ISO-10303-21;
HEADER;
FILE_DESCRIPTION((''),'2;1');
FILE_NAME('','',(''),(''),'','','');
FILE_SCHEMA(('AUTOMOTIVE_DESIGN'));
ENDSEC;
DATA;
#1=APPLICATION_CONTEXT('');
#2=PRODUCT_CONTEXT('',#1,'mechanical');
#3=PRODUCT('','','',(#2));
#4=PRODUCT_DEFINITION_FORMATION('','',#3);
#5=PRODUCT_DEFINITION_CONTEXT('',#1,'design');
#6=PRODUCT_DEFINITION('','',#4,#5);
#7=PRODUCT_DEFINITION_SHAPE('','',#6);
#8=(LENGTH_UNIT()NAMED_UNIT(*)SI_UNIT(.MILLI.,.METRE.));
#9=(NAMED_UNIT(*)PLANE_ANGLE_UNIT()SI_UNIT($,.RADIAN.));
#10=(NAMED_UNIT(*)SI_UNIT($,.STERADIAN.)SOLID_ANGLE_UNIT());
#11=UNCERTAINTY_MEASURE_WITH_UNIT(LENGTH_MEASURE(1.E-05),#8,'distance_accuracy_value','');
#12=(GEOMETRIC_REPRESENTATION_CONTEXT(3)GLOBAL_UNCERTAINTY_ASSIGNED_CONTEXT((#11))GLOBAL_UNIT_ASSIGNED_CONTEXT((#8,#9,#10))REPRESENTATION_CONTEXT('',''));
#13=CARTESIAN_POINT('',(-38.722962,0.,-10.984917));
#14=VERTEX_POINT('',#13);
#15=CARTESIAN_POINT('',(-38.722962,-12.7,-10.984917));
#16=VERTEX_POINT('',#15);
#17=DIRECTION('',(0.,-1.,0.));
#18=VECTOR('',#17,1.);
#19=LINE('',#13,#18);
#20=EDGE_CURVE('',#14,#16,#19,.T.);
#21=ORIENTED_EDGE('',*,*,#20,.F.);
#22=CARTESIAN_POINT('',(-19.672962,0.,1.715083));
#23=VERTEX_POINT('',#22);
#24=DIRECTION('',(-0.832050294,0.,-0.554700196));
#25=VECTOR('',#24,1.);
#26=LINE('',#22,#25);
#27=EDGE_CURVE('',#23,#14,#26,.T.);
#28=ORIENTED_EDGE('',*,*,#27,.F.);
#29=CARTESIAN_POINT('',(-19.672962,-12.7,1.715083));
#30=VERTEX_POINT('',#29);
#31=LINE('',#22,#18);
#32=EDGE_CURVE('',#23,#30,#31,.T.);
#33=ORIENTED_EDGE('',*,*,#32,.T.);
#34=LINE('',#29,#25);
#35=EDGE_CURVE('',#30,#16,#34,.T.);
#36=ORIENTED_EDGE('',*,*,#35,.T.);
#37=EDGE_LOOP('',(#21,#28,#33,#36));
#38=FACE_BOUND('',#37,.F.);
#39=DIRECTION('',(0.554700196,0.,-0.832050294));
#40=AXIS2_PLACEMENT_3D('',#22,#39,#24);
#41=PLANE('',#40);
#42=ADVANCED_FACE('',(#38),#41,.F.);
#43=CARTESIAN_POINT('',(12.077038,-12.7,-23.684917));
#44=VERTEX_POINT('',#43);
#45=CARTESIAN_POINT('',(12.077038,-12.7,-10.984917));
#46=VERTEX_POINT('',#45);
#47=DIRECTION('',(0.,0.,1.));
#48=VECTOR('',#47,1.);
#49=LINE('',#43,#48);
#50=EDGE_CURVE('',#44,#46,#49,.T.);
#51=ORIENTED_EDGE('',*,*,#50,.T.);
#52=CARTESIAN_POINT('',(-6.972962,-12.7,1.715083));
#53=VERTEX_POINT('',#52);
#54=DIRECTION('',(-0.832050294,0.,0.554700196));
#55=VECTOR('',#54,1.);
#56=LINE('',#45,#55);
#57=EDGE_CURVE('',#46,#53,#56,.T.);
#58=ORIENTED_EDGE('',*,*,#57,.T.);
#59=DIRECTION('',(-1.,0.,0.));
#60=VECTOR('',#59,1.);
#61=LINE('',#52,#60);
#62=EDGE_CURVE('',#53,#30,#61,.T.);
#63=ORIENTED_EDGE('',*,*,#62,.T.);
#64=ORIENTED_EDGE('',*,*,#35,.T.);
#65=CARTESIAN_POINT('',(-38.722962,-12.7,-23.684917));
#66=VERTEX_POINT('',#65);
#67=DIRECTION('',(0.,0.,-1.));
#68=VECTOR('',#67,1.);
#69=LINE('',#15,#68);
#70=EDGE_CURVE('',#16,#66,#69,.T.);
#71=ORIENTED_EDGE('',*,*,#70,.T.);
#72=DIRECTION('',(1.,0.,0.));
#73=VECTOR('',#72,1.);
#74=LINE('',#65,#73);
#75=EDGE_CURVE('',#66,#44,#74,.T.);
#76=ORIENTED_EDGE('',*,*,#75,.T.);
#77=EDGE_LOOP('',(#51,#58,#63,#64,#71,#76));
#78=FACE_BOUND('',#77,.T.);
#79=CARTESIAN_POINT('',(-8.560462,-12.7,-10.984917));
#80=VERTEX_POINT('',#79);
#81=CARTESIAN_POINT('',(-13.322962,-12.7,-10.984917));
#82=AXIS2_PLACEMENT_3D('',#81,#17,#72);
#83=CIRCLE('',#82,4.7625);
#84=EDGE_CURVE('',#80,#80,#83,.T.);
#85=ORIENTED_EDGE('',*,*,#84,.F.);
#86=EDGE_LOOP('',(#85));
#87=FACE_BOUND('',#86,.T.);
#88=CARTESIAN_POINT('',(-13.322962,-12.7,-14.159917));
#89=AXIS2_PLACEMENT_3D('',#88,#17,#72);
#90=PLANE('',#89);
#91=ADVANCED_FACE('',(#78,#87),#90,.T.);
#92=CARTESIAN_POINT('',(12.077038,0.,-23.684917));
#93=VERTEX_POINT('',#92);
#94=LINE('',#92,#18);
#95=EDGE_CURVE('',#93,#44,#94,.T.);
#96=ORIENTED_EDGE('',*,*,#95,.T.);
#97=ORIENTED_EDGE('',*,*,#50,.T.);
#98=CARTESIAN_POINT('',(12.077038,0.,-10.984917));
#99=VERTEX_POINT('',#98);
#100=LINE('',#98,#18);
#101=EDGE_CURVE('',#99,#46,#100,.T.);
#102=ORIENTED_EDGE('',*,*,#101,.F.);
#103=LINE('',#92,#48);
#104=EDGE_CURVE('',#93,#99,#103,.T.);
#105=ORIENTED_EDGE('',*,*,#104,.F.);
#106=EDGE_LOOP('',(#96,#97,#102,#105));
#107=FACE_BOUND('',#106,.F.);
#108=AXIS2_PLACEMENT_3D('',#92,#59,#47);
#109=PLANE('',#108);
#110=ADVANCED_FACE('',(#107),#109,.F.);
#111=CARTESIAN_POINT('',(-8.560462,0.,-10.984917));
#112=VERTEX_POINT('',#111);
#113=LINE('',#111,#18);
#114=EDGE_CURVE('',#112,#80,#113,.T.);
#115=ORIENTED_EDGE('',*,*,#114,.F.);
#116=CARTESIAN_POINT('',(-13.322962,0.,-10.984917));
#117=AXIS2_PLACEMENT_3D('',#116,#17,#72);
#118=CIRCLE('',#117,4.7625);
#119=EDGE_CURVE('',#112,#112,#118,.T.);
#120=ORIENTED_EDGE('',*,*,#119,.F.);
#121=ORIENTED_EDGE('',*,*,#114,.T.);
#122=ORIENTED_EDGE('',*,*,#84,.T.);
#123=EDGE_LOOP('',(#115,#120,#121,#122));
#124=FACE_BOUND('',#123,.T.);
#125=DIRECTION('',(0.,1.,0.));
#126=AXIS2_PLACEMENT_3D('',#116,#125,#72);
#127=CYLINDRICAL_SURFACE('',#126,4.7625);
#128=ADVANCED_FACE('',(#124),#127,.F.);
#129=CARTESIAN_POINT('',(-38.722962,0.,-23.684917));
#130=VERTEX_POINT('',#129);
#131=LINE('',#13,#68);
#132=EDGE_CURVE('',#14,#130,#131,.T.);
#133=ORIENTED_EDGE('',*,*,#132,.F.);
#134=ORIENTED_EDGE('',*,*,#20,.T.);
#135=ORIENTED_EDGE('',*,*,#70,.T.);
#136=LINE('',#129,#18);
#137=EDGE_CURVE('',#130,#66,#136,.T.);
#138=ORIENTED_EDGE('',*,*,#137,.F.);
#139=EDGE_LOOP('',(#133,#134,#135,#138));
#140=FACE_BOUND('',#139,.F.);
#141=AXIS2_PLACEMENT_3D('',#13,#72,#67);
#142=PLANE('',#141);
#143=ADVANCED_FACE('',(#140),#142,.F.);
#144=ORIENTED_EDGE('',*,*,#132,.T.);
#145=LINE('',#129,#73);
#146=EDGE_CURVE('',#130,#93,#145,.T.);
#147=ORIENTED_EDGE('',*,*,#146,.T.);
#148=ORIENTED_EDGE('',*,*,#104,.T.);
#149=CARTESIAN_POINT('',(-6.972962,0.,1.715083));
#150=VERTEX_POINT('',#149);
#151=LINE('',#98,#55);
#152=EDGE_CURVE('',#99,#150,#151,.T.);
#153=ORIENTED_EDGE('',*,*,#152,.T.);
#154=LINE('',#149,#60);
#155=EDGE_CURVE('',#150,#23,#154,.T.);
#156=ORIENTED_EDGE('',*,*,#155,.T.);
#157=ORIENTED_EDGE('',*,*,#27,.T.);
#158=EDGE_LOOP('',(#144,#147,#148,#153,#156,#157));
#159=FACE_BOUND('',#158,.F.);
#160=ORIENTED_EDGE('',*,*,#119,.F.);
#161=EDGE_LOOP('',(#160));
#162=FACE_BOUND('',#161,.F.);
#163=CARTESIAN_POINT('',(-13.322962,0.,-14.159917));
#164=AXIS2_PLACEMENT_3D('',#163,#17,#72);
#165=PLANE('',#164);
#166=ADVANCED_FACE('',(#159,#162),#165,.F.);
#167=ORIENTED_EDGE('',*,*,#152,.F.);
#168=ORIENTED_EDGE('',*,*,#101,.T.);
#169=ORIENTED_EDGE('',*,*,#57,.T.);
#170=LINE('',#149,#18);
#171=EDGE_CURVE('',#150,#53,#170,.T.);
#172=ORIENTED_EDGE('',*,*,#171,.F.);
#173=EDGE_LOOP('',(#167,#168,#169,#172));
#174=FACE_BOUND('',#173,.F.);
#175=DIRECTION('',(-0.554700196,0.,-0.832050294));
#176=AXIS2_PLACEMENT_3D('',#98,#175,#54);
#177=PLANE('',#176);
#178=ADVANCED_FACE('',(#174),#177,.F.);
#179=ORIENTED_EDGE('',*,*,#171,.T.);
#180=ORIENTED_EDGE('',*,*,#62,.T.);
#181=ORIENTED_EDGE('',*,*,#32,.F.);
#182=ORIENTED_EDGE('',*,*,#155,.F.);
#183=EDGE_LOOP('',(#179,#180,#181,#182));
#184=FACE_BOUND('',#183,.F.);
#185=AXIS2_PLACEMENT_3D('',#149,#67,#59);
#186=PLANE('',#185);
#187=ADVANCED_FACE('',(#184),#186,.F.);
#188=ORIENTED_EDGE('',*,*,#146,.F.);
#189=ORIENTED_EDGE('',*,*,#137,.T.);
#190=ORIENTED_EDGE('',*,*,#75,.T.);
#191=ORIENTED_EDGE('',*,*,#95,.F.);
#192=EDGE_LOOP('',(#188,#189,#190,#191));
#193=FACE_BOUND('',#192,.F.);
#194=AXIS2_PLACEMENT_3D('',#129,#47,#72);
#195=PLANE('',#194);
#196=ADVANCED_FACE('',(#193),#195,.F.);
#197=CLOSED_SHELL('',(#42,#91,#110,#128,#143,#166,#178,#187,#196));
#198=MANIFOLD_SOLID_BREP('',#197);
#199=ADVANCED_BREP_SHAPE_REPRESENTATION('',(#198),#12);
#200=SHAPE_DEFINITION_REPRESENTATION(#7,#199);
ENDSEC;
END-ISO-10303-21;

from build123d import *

# Parameters (mm, degrees)
F0_R     = 4.7625
F1_DEPTH = 12.7


with BuildPart() as f1:
    # F0 (on Front) → F1 (new body)
    with BuildSketch(Plane.XZ):
        Polygon((-38.722962, -10.984917), (-38.722962, -23.684917), (12.077038, -23.684917), (12.077038, -10.984917), (-6.972962, -10.984917), (-6.972962, 1.715083), (-19.672962, 1.715083), (-19.672962, -10.984917), align=None)
        with Locations((-13.322962, -10.984917)):
            Circle(F0_R, mode=Mode.SUBTRACT)
        Polygon((-19.672962, 1.715083), (-38.722962, -10.984917), (-19.672962, -10.984917), align=None)
        Polygon((-6.972962, -10.984917), (12.077038, -10.984917), (-6.972962, 1.715083), align=None)
    extrude(amount=F1_DEPTH)


solid = f1.part
